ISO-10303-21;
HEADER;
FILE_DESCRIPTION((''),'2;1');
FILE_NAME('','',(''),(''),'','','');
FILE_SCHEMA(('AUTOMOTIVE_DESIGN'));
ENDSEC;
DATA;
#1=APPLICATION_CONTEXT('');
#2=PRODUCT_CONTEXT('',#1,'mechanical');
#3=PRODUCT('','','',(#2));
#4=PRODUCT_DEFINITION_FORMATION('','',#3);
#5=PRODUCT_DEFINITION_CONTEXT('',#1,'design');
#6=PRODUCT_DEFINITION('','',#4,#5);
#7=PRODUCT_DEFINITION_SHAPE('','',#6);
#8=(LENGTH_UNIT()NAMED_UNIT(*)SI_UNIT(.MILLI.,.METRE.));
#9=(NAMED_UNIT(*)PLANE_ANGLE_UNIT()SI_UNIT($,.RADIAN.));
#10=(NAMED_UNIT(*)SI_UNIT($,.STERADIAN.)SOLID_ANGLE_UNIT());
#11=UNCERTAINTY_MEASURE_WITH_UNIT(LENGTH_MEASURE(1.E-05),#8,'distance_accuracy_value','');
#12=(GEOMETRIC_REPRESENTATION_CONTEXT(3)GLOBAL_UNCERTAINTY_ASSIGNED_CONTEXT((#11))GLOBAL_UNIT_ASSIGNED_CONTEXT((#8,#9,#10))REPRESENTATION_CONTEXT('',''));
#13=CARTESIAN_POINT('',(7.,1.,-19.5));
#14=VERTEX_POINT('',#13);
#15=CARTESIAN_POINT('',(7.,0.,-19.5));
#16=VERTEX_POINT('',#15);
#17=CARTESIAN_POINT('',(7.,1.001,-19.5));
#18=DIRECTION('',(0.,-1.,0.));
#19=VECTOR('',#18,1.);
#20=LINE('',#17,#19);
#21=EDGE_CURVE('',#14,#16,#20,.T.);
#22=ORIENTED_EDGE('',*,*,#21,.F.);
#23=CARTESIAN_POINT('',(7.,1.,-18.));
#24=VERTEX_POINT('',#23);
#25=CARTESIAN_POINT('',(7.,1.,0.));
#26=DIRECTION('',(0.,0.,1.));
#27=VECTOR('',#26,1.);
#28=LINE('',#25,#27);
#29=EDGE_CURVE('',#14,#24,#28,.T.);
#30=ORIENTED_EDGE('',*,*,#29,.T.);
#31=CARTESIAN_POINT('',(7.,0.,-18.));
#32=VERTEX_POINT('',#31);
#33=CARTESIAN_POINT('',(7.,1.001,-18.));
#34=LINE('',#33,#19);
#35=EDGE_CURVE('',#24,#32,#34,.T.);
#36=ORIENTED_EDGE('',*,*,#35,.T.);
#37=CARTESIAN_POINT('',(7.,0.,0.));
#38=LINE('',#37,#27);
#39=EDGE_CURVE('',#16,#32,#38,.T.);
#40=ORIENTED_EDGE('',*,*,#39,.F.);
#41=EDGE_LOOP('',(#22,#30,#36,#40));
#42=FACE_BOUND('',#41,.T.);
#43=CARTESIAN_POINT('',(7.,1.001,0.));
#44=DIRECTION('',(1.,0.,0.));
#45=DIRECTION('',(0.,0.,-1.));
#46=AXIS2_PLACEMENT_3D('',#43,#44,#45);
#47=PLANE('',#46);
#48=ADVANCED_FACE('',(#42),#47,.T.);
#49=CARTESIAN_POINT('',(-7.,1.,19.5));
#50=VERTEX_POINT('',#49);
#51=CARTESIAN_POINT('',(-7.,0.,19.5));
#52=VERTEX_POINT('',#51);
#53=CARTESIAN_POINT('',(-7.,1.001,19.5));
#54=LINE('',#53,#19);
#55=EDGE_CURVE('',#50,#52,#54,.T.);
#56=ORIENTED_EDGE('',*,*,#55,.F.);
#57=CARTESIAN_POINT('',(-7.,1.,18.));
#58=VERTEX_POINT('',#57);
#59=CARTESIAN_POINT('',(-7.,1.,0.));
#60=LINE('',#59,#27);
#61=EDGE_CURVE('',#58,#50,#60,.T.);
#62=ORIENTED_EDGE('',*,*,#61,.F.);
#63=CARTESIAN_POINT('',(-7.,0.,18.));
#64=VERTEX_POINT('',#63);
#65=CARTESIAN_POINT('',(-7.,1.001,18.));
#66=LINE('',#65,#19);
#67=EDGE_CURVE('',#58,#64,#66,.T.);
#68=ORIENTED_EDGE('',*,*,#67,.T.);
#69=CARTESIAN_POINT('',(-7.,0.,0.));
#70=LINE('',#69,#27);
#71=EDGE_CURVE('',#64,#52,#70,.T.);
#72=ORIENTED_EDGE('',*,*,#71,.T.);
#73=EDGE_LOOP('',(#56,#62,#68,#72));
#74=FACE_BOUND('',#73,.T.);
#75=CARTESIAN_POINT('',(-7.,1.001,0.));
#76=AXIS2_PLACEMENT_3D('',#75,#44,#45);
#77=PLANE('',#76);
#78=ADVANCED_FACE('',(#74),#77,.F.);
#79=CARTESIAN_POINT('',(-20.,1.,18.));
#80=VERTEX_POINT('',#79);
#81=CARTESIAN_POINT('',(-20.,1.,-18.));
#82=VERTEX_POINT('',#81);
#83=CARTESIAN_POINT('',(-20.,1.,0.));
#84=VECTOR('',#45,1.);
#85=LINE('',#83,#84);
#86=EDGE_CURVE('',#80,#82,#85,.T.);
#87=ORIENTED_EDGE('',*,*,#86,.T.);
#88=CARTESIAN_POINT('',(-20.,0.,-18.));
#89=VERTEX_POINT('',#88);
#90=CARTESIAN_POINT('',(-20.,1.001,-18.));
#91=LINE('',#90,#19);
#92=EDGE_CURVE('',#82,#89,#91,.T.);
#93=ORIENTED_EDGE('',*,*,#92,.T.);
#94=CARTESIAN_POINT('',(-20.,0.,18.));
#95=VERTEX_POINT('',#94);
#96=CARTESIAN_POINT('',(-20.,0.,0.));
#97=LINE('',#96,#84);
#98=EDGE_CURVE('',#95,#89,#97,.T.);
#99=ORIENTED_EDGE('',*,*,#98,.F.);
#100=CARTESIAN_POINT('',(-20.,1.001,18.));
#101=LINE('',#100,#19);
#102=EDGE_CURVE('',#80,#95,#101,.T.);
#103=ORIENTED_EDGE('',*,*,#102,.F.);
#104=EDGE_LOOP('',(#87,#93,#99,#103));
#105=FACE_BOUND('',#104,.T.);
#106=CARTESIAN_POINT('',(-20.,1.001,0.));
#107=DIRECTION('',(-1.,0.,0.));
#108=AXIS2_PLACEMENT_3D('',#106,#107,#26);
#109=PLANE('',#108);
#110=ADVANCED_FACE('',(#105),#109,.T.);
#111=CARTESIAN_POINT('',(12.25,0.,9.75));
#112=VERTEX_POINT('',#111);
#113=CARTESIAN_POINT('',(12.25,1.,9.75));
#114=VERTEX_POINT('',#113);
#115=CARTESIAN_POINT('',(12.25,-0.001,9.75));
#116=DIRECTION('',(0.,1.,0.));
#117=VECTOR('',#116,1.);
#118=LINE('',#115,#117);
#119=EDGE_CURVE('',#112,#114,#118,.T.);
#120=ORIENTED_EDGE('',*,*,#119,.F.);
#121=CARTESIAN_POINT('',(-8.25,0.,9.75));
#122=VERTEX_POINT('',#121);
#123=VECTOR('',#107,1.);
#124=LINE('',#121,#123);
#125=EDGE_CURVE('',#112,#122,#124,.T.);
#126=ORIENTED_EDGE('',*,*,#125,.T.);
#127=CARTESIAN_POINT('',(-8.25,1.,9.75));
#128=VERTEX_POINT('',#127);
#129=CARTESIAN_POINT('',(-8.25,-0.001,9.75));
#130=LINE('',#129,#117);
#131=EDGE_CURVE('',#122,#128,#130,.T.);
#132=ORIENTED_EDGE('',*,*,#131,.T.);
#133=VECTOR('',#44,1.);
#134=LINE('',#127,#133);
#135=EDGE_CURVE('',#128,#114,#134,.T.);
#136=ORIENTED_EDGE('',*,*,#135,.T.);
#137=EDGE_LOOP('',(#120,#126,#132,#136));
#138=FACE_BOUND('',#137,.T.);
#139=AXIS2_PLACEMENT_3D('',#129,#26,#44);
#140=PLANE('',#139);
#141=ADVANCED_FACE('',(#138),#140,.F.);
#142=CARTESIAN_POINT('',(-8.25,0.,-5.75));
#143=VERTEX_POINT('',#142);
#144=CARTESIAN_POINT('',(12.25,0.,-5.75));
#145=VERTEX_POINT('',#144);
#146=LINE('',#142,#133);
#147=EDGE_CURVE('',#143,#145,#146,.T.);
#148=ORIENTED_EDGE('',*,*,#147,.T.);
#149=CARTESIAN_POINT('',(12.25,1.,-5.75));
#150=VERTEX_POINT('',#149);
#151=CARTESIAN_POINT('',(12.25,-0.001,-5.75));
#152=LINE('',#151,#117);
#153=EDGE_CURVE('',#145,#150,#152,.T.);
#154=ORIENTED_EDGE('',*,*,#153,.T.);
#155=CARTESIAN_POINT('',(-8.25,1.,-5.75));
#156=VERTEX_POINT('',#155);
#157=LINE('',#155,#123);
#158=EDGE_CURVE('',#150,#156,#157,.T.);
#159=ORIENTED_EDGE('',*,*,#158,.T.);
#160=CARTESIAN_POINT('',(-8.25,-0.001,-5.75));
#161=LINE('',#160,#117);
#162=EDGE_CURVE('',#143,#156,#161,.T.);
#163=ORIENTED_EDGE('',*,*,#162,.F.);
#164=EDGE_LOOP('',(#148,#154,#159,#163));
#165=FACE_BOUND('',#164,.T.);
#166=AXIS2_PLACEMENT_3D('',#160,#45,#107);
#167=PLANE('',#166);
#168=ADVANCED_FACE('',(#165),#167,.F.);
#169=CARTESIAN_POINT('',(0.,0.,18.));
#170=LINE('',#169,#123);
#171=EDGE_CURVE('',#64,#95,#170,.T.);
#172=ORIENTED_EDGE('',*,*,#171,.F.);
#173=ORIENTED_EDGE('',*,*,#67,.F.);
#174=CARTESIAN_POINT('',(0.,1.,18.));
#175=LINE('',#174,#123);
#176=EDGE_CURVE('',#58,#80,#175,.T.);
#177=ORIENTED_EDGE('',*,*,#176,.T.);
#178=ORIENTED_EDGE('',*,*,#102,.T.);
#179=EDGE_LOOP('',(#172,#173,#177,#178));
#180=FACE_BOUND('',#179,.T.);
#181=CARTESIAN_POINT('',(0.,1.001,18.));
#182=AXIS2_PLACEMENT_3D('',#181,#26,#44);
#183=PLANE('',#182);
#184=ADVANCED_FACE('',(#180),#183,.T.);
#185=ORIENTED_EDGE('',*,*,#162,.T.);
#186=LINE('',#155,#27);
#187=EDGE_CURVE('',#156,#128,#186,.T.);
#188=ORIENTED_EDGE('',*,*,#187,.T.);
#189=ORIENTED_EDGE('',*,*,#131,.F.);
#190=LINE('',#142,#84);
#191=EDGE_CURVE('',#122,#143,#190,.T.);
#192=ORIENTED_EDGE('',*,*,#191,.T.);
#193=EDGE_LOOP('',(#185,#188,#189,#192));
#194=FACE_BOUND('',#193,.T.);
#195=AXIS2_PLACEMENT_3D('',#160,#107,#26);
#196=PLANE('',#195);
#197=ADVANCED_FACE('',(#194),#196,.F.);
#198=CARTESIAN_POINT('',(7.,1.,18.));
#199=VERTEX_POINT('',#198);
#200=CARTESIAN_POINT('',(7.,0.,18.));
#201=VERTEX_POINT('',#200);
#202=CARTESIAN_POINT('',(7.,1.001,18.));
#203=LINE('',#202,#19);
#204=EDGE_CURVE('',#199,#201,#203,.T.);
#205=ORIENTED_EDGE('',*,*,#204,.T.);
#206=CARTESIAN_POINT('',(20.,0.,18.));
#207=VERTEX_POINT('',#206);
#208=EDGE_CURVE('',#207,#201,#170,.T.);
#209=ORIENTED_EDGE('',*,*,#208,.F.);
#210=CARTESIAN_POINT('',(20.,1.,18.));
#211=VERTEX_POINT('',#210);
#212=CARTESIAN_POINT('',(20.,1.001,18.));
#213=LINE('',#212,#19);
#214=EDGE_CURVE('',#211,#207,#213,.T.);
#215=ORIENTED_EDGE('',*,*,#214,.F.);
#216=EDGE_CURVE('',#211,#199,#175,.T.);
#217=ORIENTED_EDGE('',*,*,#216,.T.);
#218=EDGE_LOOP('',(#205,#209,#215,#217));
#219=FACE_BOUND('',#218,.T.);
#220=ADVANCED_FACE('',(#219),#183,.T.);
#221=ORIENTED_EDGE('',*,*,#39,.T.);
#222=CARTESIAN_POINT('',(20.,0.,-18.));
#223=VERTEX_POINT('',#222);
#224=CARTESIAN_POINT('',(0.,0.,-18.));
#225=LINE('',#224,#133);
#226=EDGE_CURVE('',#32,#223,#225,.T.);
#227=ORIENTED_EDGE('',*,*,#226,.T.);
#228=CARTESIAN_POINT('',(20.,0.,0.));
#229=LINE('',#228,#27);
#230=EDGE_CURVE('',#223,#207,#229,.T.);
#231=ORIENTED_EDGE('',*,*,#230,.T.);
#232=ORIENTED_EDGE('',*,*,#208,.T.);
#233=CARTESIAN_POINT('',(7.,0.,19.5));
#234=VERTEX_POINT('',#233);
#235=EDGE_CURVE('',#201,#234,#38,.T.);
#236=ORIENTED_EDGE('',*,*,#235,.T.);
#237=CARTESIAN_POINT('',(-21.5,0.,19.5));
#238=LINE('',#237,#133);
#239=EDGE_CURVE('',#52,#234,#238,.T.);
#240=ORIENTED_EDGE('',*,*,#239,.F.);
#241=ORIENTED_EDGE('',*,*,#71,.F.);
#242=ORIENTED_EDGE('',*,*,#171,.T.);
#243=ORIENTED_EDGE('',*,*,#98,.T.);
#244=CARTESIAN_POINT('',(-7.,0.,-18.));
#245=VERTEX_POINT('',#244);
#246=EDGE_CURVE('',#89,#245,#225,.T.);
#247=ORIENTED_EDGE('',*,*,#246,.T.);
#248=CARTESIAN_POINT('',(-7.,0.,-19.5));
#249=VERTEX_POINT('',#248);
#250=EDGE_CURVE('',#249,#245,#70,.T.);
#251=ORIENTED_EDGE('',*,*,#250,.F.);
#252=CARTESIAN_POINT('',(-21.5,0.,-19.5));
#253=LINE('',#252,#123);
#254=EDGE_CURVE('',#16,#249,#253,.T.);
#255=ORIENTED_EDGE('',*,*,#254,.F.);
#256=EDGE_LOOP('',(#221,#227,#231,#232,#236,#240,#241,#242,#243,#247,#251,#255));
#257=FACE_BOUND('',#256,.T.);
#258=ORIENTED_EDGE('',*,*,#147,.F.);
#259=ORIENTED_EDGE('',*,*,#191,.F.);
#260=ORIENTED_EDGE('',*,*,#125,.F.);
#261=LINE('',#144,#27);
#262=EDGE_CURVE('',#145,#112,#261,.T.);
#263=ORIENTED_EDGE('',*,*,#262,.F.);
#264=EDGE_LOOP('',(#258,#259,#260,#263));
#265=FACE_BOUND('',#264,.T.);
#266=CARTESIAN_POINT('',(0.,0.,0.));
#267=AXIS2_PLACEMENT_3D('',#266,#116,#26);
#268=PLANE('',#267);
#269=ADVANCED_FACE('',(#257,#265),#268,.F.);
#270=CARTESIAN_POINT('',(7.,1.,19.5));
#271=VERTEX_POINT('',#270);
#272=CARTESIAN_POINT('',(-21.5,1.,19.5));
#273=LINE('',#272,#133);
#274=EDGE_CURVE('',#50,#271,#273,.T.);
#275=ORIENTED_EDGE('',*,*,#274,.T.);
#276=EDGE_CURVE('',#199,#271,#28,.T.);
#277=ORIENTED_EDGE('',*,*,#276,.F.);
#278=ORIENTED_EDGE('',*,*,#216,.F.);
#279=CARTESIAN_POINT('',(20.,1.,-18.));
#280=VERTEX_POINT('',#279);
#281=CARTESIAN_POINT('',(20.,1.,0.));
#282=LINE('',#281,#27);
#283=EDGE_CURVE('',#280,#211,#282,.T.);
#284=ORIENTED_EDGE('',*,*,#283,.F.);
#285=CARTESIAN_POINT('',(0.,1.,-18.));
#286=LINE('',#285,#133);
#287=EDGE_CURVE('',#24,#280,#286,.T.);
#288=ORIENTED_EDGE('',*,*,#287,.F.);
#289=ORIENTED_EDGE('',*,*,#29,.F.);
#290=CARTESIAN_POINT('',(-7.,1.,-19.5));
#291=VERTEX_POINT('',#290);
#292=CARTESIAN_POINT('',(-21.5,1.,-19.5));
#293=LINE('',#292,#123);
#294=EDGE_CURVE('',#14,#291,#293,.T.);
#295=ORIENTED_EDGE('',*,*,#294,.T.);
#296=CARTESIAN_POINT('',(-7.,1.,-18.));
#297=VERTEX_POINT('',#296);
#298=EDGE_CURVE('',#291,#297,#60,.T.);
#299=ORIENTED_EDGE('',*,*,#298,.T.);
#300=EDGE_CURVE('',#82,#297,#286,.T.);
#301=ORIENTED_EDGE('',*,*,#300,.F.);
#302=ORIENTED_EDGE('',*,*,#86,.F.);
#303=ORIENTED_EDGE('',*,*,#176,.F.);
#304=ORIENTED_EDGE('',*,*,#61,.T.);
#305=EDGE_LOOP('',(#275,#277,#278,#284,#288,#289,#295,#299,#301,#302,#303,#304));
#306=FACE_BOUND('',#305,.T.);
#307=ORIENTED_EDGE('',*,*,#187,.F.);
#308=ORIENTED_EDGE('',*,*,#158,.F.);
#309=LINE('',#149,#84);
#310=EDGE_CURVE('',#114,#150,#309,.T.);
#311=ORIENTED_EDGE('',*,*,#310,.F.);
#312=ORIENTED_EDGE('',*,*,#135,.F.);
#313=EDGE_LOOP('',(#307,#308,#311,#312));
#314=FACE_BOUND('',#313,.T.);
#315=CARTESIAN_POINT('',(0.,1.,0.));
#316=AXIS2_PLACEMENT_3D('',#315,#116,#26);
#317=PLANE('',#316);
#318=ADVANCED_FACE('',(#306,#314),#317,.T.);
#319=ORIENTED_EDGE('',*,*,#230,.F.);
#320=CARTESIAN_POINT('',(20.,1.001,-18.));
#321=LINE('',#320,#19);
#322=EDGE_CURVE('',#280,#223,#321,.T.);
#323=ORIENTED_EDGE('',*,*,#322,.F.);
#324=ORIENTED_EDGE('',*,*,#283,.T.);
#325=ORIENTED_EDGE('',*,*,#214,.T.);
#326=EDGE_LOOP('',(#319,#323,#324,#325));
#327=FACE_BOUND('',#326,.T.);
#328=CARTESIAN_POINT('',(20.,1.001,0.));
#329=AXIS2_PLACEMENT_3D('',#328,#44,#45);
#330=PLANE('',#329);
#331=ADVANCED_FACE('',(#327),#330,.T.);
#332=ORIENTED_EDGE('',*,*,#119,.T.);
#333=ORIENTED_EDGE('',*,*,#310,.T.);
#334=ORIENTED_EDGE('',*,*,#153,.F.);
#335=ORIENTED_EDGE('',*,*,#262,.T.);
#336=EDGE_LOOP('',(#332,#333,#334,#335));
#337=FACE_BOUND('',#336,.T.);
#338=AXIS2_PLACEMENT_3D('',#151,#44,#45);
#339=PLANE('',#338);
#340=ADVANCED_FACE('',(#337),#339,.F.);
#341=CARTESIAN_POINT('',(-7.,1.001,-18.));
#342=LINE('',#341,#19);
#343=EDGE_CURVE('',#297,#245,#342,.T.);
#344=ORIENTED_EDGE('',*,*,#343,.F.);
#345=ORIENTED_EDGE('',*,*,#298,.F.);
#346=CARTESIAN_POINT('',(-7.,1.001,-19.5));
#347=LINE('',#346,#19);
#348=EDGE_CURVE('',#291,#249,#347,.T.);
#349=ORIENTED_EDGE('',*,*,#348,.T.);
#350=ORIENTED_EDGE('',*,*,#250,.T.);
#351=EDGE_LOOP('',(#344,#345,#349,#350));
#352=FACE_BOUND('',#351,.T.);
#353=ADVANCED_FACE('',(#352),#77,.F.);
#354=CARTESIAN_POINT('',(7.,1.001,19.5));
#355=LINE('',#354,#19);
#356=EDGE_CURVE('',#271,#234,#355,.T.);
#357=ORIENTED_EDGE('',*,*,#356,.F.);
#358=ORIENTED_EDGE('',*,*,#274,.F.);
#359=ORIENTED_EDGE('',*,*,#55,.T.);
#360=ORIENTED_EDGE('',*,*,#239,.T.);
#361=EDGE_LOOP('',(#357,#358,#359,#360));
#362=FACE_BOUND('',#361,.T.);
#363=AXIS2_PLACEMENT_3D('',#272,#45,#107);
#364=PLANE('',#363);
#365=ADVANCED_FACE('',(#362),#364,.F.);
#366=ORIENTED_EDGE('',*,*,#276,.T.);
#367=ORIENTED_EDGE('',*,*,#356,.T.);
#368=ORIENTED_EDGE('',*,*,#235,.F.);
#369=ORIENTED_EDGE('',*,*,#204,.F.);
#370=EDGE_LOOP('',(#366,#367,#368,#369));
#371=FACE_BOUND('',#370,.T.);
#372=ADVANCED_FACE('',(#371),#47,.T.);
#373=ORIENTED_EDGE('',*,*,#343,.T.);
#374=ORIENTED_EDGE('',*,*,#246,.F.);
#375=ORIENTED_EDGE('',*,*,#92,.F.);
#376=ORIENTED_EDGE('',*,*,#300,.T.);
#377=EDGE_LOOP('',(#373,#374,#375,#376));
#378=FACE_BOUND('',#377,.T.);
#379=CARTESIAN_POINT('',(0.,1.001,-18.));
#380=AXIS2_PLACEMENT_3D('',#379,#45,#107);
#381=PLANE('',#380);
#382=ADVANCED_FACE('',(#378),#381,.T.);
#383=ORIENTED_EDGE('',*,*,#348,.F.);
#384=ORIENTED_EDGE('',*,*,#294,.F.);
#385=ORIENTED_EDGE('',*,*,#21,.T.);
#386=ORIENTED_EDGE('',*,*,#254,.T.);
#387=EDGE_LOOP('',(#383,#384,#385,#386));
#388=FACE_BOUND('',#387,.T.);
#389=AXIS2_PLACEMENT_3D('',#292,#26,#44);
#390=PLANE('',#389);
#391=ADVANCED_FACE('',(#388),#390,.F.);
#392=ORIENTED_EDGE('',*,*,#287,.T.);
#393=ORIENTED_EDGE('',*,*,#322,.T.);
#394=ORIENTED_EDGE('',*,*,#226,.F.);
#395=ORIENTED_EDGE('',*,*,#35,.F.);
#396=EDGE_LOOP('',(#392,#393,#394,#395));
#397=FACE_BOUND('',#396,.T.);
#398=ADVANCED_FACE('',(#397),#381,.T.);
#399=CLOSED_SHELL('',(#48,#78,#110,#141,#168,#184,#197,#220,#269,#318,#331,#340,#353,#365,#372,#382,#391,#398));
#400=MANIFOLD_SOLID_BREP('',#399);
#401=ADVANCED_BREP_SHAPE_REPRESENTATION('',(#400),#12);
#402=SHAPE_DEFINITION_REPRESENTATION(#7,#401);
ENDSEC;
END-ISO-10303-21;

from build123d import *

# Parameters (mm, degrees)
SKETCH_1_W         = 43
SKETCH_1_H         = 39
TOP_DEPTH          = 1
DHT22_WINDOW_REACH = 31.043
SKETCH_2_W         = 20.5
SKETCH_2_H         = 15.5
EAR_REACH          = 31.043


with BuildPart() as part:
    # 스케치1 → Top (new body)
    with BuildSketch(Plane(origin=(0, 0, 0), x_dir=(1, 0, 0), z_dir=(0, 1, 0))):
        Rectangle(SKETCH_1_W, SKETCH_1_H)
    extrude(amount=TOP_DEPTH)

    # 스케치2 → DHT22_window (cut, up to next)
    with BuildSketch(Plane(origin=(0, 1, 0), x_dir=(1, 0, 0), z_dir=(0, 1, 0)), mode=Mode.PRIVATE) as dht22_window_sk1:
        with Locations((2, -2)):
            Rectangle(SKETCH_2_W, SKETCH_2_H)
    dht22_window_tool1 = extrude(dht22_window_sk1.sketch, amount=-DHT22_WINDOW_REACH, mode=Mode.PRIVATE) & part.part
    add(dht22_window_tool1.solids().sort_by_distance((2, 1, 2))[0], mode=Mode.SUBTRACT)

    # 스케치3 → Ear (cut, up to next)
    with BuildSketch(Plane.XZ, mode=Mode.PRIVATE) as ear_sk1:
        Polygon((-20, -18), (-20, 18), (-7, 18), (-7, 19.5), (-21.5, 19.5), (-21.5, -19.5), (-7, -19.5), (-7, -18), align=None)
    ear_tool1 = extrude(ear_sk1.sketch, amount=-EAR_REACH, mode=Mode.PRIVATE) & part.part
    # 스케치3 → Ear (cut, up to next)
    with BuildSketch(Plane.XZ, mode=Mode.PRIVATE) as ear_sk2:
        Polygon((7, 19.5), (7, 18), (20, 18), (20, -18), (7, -18), (7, -19.5), (21.5, -19.5), (21.5, 19.5), align=None)
    ear_tool2 = extrude(ear_sk2.sketch, amount=-EAR_REACH, mode=Mode.PRIVATE) & part.part
    add(ear_tool1.solids().sort_by_distance((-7.416083, 0, -18.75))[0], mode=Mode.SUBTRACT)
    add(ear_tool2.solids().sort_by_distance((7.416083, 0, 18.75))[0], mode=Mode.SUBTRACT)


solid = part.part
